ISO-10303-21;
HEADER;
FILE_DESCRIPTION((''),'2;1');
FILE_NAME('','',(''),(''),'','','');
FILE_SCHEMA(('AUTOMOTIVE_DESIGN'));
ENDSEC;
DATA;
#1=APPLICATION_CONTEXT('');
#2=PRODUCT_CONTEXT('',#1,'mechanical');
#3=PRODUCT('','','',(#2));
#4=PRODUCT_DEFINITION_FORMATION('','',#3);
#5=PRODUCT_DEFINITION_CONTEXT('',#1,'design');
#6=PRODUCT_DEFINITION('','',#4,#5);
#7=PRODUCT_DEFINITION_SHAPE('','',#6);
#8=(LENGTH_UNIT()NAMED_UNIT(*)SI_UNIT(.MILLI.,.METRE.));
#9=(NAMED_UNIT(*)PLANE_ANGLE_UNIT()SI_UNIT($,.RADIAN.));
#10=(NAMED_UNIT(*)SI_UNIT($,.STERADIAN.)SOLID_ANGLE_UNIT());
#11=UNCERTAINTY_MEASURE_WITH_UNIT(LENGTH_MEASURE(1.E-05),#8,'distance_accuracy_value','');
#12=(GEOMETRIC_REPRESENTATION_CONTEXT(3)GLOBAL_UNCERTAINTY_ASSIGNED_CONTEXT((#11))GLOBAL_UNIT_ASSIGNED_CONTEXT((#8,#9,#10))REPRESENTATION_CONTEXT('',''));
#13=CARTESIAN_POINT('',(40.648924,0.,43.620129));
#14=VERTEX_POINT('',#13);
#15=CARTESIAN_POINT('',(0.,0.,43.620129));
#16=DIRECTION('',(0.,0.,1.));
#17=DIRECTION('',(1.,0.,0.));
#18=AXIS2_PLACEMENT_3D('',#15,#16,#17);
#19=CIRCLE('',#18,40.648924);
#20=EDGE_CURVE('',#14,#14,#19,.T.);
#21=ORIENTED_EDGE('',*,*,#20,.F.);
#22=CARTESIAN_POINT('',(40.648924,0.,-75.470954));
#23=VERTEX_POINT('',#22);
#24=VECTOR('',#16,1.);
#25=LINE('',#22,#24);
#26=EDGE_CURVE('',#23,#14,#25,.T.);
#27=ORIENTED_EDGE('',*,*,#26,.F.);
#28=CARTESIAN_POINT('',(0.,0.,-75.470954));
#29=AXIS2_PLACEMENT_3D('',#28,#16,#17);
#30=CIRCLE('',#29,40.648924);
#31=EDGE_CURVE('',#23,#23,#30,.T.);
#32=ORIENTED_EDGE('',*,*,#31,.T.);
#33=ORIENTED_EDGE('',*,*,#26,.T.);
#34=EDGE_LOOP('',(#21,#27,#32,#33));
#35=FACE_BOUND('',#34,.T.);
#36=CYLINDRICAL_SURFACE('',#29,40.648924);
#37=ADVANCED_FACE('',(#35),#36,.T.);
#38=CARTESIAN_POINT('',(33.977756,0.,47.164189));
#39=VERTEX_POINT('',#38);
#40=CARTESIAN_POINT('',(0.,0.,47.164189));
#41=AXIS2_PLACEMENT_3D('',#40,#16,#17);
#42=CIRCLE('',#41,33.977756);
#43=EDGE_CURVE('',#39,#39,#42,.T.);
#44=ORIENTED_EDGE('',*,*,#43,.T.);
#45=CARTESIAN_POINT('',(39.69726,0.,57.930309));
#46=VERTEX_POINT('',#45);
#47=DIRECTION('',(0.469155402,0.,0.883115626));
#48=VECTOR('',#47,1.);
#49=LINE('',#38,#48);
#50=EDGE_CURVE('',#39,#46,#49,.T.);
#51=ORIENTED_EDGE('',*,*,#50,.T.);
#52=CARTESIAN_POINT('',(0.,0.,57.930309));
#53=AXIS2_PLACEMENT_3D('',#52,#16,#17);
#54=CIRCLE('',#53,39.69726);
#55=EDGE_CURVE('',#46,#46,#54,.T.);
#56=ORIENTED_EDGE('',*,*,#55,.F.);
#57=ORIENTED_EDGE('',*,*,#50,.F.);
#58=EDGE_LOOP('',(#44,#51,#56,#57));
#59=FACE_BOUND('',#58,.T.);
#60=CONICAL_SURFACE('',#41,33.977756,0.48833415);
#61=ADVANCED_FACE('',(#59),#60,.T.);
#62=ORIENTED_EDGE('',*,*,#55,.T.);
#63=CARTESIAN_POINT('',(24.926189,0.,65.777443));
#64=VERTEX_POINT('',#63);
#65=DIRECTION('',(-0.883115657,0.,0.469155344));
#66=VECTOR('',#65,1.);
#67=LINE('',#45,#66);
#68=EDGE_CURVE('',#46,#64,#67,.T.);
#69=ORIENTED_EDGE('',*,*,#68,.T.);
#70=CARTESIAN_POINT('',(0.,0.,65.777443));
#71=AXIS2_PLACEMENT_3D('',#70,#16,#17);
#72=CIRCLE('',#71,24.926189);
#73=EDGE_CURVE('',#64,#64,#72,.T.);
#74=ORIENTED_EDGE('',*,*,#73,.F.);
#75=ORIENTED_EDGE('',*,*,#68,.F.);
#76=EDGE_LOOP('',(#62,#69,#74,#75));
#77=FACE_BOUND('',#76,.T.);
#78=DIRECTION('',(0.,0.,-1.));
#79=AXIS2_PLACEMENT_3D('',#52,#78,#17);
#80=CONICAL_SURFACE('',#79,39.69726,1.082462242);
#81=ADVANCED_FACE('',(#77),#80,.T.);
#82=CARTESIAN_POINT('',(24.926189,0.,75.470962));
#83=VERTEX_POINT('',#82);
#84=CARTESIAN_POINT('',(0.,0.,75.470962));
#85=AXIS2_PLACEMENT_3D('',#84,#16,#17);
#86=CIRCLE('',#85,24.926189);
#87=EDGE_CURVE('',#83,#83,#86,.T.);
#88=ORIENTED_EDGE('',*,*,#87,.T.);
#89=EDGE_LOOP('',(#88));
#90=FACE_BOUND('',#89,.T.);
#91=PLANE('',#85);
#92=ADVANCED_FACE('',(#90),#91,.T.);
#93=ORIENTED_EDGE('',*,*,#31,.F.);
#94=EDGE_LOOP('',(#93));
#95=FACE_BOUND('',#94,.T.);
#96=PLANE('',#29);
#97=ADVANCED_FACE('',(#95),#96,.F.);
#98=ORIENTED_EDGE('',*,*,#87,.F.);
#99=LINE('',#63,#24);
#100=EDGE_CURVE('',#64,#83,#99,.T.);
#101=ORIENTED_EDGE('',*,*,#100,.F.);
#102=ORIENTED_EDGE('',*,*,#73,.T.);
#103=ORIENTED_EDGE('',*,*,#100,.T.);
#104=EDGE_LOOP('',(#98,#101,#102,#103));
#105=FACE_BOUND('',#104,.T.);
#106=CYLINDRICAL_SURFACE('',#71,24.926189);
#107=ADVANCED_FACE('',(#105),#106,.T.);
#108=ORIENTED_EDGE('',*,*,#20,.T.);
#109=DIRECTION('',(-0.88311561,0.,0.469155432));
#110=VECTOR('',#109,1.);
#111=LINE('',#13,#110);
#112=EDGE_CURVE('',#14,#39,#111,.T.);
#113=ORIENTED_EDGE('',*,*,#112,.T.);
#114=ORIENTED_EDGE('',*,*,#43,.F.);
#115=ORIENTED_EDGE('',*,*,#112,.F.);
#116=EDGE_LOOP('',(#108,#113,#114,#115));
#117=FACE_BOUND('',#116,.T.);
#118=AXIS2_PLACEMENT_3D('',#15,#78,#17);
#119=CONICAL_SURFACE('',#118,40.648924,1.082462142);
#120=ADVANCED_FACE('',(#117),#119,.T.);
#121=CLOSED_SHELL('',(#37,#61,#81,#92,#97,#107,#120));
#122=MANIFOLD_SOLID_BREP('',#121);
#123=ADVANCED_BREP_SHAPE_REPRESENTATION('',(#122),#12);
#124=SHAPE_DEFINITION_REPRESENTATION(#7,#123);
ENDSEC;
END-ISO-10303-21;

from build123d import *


with BuildPart() as f1:
    # F0 (on Front) → F1 (revolve)
    with BuildSketch(Plane.XZ):
        Polygon((24.926189, 75.470962), (0, 75.470962), (0, -75.470954), (40.648924, -75.470954), (40.648924, 43.620129), (33.977756, 47.164189), (39.69726, 57.930309), (24.926189, 65.777443), align=None)
    revolve(axis=Axis((0, 0, 4e-06), (0, 0, 1)))


solid = f1.part
